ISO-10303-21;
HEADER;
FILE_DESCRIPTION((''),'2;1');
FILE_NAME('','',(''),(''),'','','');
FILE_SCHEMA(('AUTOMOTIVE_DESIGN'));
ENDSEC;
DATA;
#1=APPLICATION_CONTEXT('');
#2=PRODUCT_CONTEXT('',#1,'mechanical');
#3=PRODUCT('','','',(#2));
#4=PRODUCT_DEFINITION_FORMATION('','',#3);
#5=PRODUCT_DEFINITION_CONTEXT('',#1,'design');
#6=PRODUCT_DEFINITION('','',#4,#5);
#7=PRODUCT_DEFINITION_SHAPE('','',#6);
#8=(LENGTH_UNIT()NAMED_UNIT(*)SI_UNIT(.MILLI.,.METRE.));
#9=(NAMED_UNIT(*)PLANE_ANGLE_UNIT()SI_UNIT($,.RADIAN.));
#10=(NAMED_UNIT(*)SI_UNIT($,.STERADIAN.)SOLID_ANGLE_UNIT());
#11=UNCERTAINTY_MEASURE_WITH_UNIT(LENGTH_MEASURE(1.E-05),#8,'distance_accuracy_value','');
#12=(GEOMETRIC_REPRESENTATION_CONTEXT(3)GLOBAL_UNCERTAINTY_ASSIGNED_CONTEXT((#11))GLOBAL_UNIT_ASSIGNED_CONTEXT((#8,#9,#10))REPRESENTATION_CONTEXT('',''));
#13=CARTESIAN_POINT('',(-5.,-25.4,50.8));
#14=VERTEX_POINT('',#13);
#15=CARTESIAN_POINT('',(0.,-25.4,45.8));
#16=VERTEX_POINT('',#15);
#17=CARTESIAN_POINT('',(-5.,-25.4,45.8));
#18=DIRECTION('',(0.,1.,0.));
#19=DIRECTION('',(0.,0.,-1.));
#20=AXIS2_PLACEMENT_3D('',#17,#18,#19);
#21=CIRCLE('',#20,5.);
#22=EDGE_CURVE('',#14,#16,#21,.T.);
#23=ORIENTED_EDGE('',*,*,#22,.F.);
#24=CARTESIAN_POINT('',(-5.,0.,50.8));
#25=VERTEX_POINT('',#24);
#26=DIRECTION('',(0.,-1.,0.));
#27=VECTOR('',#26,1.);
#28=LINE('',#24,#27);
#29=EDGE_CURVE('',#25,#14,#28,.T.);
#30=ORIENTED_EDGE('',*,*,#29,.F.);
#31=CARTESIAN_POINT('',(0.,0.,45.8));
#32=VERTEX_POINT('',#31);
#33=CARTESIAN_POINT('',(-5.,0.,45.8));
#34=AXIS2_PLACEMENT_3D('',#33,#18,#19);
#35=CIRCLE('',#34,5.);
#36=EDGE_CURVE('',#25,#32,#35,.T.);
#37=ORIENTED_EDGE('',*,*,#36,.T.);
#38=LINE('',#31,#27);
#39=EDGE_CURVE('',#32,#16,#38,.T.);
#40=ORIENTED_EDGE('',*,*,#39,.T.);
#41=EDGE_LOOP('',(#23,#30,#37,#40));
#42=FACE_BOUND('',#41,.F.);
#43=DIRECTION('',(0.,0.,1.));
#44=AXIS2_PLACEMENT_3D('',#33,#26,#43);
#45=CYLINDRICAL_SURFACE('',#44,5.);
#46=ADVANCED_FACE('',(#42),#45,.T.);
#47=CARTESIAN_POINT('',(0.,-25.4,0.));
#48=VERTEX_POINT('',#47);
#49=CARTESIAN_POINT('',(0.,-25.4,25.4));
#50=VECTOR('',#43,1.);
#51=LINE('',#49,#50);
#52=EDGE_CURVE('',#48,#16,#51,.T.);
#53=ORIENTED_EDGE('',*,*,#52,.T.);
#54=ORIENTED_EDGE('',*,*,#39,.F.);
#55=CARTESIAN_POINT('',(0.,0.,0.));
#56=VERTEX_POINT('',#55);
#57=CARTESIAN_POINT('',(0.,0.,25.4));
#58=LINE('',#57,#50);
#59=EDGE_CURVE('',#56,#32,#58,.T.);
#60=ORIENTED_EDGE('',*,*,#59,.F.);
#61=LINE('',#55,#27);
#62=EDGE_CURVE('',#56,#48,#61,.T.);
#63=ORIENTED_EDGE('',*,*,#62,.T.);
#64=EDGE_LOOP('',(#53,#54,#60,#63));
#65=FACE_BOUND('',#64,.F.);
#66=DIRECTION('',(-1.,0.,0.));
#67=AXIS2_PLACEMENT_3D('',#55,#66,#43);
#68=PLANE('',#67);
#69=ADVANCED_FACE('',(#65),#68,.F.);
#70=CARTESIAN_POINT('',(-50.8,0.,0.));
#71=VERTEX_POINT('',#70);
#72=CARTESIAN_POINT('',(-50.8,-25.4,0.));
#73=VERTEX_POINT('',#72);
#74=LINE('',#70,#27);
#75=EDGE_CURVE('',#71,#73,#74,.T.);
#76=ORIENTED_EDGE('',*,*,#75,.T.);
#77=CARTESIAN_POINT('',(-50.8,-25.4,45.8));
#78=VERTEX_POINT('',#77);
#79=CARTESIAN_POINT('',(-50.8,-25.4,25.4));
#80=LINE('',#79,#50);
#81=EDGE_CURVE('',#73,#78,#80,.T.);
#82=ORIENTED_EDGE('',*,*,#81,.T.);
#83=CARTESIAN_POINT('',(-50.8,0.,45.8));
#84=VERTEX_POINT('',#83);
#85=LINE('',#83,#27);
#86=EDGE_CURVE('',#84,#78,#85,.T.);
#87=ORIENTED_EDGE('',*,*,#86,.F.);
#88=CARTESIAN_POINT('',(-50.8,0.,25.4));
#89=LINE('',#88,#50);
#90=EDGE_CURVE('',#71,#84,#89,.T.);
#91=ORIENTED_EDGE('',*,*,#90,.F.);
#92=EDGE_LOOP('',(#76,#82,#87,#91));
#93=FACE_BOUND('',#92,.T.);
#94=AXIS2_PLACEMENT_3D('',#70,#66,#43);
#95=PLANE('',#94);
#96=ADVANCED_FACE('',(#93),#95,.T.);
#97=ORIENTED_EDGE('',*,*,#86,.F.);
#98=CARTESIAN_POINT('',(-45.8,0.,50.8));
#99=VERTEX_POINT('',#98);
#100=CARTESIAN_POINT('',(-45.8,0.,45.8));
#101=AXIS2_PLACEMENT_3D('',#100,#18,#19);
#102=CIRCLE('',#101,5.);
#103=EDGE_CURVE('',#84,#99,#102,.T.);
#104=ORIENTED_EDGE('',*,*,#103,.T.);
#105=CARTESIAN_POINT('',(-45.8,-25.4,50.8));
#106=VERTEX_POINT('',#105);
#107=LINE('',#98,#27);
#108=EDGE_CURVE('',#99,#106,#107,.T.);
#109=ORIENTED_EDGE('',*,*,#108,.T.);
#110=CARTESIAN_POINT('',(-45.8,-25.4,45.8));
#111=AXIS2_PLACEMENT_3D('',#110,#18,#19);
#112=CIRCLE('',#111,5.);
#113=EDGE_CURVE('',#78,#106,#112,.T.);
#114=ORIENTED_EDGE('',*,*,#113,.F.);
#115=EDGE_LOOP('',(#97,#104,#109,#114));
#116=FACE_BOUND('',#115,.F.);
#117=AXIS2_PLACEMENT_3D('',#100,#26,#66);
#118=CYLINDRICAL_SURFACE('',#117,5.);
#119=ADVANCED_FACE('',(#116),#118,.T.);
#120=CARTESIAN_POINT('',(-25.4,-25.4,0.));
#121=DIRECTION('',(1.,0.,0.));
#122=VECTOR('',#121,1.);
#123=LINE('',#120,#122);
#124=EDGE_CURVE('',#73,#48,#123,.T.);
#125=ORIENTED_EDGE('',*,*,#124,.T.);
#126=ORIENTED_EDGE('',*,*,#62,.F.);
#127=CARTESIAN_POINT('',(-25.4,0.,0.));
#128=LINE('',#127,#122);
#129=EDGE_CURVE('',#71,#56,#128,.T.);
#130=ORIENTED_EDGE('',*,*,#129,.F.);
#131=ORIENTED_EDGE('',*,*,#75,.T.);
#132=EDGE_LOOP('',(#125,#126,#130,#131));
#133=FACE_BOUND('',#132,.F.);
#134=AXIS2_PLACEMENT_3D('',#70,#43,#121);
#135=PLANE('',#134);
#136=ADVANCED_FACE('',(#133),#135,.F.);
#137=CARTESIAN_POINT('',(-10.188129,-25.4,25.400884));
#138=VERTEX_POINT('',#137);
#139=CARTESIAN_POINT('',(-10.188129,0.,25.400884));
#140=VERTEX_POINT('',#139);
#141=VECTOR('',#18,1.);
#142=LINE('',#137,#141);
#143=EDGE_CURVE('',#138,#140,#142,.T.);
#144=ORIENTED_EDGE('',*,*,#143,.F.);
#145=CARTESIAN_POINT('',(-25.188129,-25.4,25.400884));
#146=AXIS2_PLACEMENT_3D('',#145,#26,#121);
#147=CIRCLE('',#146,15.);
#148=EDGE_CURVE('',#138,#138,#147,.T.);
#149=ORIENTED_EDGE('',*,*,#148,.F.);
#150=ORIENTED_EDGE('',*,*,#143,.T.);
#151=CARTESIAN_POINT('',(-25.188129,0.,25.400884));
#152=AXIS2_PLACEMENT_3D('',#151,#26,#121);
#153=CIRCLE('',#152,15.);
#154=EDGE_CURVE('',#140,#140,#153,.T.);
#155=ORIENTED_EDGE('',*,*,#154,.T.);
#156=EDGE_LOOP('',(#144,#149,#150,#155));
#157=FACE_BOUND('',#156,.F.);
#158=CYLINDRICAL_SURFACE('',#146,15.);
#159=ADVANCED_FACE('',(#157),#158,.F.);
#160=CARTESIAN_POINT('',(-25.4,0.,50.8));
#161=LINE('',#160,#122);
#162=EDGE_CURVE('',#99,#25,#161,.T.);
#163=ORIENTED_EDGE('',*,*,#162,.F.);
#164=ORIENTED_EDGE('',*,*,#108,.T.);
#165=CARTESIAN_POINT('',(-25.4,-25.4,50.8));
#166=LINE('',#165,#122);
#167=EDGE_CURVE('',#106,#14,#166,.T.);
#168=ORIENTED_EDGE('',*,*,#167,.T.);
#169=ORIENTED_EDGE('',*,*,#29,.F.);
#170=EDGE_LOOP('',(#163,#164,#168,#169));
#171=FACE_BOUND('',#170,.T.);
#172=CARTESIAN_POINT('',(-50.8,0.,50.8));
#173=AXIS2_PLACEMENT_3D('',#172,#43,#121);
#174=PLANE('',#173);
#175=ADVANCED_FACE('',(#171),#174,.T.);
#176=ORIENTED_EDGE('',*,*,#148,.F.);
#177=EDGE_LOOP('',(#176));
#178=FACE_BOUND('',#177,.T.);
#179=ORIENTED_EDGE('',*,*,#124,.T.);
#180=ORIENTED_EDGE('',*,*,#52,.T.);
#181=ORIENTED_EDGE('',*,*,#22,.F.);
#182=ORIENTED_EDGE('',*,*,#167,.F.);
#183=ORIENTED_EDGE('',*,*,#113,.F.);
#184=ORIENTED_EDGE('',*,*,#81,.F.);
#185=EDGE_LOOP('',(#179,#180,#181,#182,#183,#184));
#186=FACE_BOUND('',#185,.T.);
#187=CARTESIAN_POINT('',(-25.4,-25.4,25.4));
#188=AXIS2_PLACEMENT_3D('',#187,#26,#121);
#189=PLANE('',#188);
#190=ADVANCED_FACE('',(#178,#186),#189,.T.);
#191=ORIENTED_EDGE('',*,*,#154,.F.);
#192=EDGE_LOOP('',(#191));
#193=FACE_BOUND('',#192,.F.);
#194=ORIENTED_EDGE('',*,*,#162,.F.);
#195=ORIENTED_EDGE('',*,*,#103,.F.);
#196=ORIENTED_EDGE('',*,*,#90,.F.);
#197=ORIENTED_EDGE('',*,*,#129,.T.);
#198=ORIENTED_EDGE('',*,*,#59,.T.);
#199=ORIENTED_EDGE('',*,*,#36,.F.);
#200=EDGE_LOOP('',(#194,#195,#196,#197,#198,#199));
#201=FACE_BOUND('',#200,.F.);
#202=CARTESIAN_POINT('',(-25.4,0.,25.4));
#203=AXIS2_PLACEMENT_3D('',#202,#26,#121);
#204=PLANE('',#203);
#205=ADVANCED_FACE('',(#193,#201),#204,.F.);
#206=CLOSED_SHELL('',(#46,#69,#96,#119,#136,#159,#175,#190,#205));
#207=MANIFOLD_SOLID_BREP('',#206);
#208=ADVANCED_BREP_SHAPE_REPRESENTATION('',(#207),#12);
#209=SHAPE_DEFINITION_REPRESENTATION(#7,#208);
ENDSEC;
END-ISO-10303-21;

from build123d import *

# Parameters (mm, degrees)
F0_W     = 50.8
F0_H     = 50.8
F1_DEPTH = 25.4
F2_R     = 5
F3_R     = 5
F4_R     = 15
F5_DEPTH = 25.4


with BuildPart() as f1:
    # F0 (on Front) → F1 (new body)
    with BuildSketch(Plane.XZ):
        with Locations((-25.4, 25.4)):
            Rectangle(F0_W, F0_H)
    extrude(amount=F1_DEPTH)

    # F2
    f2_edges = [f1.edges().sort_by_distance(p)[0] for p in [
        (-50.8, -12.7, 50.8),
    ]]
    fillet(f2_edges, radius=F2_R)

    # F3
    f3_edges = [f1.edges().sort_by_distance(p)[0] for p in [
        (0, -12.7, 50.8),
    ]]
    fillet(f3_edges, radius=F3_R)

    # F4 (on face) → F5 (cut, through all)
    with BuildSketch(Plane.XZ.offset(25.4)):
        with Locations((-25.188129, 25.400884)):
            Circle(F4_R)
    extrude(amount=-F5_DEPTH, mode=Mode.SUBTRACT)


solid = f1.part
